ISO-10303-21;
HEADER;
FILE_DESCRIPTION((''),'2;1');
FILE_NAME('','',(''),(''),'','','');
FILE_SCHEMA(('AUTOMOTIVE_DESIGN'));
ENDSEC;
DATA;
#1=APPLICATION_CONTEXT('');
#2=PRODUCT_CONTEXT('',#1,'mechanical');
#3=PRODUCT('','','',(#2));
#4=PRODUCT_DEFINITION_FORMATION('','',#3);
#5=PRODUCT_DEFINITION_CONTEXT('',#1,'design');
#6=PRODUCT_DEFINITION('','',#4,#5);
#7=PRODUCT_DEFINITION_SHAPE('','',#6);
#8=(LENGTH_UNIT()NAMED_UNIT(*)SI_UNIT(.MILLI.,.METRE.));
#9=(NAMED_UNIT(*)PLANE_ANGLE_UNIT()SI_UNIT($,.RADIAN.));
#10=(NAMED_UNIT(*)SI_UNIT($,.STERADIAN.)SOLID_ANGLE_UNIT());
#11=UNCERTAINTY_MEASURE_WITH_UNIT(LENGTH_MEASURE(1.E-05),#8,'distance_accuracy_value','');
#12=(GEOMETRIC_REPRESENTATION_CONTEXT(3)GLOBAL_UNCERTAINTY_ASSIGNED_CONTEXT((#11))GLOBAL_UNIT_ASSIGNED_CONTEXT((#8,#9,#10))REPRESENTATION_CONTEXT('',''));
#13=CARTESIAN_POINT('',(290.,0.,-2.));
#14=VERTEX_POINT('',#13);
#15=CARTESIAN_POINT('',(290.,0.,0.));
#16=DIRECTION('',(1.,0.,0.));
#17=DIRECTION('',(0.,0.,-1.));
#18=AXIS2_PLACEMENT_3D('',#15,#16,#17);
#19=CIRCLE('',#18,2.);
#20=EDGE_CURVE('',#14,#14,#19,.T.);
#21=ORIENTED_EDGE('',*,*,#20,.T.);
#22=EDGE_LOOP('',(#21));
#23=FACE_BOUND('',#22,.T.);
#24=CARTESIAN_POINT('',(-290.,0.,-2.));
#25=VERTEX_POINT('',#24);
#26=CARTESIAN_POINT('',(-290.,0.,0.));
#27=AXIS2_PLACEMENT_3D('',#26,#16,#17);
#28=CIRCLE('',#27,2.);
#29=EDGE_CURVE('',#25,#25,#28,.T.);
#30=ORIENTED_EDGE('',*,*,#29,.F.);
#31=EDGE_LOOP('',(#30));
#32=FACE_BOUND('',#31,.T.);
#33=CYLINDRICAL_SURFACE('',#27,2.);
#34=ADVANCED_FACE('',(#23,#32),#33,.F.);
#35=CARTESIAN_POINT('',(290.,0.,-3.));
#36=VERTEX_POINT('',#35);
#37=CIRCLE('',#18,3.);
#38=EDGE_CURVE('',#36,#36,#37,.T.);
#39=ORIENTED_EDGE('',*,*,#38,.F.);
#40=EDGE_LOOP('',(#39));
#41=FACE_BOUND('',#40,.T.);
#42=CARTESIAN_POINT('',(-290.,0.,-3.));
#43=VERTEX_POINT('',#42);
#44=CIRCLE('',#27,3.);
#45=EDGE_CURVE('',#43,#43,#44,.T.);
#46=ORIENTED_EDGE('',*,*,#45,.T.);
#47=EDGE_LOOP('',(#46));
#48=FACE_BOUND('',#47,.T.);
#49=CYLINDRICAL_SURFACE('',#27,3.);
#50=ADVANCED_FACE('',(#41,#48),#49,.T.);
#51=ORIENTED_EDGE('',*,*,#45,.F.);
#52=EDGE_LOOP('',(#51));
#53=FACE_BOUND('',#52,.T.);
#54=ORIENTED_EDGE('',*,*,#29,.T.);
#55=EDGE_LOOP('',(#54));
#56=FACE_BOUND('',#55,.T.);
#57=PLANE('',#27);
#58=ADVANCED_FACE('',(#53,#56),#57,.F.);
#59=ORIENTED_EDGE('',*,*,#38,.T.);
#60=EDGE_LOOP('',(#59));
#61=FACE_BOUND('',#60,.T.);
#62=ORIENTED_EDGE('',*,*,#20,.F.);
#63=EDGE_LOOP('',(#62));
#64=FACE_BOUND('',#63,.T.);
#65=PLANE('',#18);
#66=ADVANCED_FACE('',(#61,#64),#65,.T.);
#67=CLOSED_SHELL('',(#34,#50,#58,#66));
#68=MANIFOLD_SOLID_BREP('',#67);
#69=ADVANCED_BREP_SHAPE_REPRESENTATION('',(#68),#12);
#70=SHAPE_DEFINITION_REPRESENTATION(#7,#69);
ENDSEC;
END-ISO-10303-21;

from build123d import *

# Parameters (mm, degrees)
BOSS_EXTRUDE1_DEPTH      = 290
BOSS_EXTRUDE1_DEPTH_BACK = 290
SKETCH1_R                = 3
SKETCH1_R_2              = 2


with BuildPart() as part:
    # Sketch1 → Boss-Extrude1 (new, two sides: drawn at the far end of the back side and taken through both)
    with BuildSketch(Plane(origin=(0, 0, 0), x_dir=(0, 0, -1), z_dir=(1, 0, 0)).offset(-BOSS_EXTRUDE1_DEPTH_BACK)):
        Circle(SKETCH1_R)
        Circle(SKETCH1_R_2, mode=Mode.SUBTRACT)
    extrude(amount=BOSS_EXTRUDE1_DEPTH + BOSS_EXTRUDE1_DEPTH_BACK)


solid = part.part
